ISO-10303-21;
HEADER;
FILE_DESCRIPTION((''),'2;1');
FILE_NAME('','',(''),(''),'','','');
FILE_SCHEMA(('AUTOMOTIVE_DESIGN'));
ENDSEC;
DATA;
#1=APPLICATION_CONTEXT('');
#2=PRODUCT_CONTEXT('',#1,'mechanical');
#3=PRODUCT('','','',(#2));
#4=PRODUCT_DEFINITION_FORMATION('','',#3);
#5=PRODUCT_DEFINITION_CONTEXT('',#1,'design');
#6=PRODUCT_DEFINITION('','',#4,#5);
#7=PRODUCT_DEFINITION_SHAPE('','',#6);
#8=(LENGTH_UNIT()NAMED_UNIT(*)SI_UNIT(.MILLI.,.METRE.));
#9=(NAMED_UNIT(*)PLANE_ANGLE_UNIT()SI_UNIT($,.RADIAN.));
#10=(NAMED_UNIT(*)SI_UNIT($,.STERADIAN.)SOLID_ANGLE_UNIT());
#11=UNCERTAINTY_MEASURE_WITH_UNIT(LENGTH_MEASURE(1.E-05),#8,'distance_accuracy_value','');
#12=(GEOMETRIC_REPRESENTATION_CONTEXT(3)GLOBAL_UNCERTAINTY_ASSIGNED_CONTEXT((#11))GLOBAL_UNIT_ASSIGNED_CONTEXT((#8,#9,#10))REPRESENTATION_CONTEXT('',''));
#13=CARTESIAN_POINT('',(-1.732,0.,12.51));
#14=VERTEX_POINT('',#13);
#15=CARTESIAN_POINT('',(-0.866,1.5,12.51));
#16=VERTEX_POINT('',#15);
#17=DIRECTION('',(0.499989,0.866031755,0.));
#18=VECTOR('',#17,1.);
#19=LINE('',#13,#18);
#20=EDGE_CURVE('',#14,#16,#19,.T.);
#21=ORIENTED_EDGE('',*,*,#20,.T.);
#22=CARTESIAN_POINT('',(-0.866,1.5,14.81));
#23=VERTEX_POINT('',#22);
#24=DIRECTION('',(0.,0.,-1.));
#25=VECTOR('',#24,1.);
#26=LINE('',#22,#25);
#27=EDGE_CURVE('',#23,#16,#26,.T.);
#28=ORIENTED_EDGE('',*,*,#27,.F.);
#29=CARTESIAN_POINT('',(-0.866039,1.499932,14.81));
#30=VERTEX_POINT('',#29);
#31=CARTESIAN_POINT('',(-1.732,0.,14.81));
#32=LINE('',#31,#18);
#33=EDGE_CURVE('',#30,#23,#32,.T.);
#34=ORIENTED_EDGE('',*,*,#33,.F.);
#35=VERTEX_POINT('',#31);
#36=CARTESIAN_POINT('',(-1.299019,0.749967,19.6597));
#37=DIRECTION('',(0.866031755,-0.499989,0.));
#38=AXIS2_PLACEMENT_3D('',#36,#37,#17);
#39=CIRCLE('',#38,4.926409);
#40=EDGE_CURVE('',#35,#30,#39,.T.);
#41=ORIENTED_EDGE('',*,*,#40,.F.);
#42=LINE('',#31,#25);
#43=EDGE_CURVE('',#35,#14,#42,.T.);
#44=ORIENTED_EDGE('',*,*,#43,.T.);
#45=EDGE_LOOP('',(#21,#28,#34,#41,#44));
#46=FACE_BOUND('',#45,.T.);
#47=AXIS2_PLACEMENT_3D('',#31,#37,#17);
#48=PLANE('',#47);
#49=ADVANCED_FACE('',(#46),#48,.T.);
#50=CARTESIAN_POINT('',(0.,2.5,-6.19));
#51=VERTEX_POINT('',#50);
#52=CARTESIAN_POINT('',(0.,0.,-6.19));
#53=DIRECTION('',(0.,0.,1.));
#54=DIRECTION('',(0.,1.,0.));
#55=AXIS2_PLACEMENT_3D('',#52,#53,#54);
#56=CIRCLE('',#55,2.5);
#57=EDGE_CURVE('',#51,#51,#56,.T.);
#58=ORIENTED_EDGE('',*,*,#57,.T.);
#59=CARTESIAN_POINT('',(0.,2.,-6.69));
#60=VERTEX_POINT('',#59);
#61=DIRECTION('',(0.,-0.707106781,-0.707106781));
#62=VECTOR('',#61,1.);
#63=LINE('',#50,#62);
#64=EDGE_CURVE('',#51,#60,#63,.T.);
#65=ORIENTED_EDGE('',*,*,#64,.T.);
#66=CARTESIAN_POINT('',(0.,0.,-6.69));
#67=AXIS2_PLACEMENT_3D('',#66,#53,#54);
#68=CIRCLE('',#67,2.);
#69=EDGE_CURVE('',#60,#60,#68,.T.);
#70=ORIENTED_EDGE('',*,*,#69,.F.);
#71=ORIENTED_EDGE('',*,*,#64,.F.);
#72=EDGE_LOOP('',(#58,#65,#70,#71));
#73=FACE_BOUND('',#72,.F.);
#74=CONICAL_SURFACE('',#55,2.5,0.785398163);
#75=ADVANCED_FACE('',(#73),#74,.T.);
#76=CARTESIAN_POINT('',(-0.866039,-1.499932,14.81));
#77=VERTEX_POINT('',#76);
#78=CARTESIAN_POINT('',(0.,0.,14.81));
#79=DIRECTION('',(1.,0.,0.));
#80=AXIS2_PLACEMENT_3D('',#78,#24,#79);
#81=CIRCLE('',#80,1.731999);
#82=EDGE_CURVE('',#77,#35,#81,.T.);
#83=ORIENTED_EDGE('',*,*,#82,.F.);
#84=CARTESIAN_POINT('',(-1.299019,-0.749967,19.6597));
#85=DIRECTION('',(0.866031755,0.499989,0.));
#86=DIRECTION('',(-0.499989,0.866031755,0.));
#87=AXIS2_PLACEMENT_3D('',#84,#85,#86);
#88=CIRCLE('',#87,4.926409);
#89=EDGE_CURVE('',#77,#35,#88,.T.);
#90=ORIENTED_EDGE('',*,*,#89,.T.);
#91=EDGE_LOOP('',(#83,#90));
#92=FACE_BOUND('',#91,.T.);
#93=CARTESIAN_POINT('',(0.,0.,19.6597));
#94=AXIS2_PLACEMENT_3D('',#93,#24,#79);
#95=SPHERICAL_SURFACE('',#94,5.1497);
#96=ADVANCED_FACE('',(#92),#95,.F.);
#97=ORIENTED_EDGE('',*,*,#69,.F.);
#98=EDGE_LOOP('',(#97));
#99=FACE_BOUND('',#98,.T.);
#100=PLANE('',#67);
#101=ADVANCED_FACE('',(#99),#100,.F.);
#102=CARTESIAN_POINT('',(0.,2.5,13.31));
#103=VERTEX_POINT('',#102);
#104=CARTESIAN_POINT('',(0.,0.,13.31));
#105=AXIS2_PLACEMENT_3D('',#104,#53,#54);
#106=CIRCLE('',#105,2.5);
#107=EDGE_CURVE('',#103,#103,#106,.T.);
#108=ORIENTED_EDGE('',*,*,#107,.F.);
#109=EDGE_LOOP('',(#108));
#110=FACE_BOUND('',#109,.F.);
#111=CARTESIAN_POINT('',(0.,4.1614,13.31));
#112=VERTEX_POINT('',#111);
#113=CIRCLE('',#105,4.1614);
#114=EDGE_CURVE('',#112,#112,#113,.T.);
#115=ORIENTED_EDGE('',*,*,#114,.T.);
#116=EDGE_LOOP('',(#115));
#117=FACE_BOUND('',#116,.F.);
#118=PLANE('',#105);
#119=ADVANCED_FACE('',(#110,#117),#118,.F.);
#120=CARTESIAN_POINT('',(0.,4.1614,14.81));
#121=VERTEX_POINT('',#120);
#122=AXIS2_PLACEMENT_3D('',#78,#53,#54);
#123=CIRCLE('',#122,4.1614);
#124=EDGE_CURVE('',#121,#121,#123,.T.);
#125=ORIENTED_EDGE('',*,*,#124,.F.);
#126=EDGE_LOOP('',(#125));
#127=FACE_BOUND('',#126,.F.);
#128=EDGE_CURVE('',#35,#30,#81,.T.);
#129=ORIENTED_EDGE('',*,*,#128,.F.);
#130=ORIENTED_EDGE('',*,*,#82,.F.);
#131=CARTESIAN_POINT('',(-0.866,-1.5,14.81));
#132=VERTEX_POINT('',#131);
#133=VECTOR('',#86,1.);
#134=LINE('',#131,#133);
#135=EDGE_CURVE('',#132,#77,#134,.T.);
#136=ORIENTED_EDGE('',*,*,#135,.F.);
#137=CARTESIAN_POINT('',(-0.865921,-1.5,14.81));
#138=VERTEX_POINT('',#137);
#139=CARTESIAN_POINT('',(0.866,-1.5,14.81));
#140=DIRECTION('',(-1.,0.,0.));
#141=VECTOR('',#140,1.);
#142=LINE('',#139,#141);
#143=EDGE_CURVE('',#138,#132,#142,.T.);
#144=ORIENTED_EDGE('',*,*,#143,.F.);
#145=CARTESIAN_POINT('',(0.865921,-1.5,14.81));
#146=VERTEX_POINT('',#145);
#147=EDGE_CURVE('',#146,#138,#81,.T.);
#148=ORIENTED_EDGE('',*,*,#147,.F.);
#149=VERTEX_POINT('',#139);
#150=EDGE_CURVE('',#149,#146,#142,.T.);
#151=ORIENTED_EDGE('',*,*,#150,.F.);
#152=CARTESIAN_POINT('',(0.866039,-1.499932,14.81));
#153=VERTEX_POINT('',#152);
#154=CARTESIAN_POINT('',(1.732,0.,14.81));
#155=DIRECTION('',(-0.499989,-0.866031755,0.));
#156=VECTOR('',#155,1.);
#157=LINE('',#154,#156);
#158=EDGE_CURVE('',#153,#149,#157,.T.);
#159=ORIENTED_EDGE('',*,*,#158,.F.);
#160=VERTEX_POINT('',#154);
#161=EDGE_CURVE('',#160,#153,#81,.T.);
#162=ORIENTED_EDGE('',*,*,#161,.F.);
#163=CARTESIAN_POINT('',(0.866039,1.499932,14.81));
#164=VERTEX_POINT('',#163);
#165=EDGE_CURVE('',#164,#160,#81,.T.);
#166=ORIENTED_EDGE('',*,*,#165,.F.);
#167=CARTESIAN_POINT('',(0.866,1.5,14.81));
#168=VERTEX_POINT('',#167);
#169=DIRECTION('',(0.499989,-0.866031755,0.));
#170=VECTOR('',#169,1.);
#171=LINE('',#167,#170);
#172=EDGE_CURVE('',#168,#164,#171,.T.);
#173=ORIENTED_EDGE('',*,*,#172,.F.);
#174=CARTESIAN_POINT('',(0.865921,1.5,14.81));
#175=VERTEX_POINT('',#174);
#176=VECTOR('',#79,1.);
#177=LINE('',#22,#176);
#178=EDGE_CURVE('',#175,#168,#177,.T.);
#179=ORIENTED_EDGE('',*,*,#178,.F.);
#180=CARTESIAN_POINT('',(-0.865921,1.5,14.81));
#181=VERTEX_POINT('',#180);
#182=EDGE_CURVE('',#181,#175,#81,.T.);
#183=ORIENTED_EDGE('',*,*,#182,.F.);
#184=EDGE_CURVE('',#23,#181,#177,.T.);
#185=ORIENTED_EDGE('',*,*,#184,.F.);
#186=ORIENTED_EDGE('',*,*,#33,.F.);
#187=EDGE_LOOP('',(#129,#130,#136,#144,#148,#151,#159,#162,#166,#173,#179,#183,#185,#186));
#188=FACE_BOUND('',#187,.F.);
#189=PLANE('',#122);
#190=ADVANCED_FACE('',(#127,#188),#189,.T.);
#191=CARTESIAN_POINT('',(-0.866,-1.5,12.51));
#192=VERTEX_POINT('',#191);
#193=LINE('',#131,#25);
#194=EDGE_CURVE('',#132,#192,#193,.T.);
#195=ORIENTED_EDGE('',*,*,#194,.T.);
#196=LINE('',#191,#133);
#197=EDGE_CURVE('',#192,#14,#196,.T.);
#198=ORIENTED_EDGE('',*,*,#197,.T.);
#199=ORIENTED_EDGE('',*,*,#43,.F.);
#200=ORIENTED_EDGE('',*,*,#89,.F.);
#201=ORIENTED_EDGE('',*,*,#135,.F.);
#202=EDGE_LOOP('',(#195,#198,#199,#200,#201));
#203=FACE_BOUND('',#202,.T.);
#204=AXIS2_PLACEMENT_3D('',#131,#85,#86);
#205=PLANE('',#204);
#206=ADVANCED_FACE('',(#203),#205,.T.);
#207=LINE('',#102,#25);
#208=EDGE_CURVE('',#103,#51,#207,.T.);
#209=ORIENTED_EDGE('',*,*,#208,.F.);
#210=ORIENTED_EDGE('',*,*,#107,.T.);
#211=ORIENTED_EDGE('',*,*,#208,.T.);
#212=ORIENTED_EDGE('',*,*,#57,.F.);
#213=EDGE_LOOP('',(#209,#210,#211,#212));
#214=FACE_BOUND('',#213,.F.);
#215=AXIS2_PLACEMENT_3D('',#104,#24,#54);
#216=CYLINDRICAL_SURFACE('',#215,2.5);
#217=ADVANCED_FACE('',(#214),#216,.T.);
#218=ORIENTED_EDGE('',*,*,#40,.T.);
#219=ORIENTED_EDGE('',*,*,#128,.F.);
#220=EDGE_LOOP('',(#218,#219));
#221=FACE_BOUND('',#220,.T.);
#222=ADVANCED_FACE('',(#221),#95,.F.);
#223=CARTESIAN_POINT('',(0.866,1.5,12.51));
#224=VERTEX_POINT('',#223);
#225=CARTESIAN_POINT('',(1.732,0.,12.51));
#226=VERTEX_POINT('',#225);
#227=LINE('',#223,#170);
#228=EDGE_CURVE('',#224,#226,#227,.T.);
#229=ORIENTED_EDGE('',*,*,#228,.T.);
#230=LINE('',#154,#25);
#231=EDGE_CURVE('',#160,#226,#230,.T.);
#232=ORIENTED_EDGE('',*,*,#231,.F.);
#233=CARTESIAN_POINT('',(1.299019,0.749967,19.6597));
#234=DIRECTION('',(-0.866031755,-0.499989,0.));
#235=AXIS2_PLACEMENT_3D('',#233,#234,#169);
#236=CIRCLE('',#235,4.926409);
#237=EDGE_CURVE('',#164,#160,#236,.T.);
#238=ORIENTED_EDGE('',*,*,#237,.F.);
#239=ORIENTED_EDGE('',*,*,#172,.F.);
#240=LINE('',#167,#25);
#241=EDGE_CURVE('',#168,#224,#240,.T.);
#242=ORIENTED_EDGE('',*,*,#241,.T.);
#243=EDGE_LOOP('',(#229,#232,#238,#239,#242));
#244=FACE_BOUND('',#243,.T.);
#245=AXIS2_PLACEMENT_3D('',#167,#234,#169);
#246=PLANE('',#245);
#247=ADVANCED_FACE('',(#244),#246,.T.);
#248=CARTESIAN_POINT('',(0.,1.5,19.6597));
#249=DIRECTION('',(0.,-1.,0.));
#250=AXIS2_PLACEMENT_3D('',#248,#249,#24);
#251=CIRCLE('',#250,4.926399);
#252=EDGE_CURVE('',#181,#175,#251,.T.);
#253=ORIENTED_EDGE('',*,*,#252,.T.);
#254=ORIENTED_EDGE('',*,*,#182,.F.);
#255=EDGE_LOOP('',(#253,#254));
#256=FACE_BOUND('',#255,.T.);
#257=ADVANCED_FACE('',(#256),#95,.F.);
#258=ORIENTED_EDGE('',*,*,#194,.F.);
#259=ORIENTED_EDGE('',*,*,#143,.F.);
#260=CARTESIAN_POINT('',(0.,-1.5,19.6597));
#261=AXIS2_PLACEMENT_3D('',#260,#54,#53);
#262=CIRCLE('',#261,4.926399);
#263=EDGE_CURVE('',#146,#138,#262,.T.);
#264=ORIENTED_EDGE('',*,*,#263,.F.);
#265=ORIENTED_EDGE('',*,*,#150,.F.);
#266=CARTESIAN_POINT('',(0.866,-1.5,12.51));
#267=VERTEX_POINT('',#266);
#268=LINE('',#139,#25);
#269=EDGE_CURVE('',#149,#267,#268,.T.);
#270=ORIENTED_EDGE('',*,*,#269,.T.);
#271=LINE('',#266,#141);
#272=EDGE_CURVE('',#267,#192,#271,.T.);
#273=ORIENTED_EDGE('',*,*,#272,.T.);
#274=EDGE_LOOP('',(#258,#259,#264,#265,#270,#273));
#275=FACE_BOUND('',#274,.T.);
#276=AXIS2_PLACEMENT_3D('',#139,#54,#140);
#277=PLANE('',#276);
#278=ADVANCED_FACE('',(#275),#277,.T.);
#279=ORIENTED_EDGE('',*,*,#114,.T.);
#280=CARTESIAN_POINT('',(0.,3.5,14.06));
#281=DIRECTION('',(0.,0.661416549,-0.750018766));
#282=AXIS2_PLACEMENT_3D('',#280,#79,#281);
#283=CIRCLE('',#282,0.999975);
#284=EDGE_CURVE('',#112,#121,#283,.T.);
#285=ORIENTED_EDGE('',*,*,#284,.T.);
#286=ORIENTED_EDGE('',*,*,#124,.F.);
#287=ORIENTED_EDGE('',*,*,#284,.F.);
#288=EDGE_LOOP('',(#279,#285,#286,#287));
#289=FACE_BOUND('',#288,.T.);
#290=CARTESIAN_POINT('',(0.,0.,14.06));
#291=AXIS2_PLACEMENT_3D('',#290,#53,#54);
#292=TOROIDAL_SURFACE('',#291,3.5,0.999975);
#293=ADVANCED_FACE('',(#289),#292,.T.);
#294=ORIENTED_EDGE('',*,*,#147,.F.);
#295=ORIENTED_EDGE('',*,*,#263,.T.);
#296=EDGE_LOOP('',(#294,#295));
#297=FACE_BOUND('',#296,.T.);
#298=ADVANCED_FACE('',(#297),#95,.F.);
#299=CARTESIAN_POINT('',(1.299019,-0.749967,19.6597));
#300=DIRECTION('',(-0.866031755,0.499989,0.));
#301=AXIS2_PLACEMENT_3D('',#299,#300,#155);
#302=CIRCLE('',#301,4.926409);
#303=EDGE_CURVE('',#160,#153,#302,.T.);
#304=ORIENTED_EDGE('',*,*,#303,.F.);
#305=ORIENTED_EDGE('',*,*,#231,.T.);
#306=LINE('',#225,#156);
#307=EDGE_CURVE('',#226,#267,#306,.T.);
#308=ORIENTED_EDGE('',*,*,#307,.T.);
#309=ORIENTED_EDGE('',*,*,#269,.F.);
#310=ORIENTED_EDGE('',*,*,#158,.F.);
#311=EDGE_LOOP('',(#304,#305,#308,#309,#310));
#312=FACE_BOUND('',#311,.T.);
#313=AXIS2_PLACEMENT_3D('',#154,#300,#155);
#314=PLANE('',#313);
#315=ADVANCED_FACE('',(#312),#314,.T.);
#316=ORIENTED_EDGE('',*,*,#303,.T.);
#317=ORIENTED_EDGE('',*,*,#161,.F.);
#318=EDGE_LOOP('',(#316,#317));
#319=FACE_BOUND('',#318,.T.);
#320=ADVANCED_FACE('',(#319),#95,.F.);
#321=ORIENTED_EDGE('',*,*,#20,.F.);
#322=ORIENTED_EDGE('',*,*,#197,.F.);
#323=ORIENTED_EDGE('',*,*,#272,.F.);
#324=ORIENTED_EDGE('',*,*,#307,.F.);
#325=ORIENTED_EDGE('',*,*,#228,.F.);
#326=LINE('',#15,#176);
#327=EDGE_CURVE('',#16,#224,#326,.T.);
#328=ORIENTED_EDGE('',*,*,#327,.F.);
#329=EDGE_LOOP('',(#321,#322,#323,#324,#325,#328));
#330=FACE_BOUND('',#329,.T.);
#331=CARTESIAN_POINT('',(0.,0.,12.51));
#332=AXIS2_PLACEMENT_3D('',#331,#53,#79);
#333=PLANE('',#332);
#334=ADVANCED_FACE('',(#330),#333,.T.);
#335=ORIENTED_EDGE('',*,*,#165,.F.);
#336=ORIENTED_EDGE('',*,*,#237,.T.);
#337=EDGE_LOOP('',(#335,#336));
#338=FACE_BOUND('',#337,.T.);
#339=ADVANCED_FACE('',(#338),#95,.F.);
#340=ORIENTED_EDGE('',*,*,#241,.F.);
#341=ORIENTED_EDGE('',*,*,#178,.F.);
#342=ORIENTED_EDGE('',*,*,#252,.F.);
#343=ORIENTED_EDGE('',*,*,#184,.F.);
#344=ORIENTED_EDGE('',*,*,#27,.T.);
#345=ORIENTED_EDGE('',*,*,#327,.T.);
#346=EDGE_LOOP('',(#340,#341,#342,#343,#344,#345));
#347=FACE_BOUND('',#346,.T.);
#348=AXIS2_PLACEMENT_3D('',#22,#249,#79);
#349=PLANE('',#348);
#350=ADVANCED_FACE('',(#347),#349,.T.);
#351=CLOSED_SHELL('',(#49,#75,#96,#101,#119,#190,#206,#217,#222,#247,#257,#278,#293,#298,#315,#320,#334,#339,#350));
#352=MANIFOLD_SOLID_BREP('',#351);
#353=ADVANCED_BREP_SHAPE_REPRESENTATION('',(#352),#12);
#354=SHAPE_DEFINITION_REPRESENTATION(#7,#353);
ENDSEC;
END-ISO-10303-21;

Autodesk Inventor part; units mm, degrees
ref_plane "YZ Plane" through (0, 0, 0) normal (1, 0, 0) x (0, 1, 0)
ref_plane "XZ Plane" through (0, 0, 0) normal (0, 1, 0) x (-1, 0, 0)
ref_plane "XY Plane" through (0, 0, 0) normal (0, 0, 1) x (1, 0, 0)
sketch "Sketch1" plane through (0, 0, 0) normal (1, 0, 0) x (0, 1, 0)
  line L0 (2.5, 2.81) -> (2.5, 11.31)
  spline S0 degree 2 poles (-3.9658, 2.81) (-4.0258, 2.8689) (-4.0876, 2.9295) knots 0 0 0 0.017848 0.017848 0.017848 weights 1 1.00044 1.00066
  line L1 (-2.5, 11.31) -> (-2.5, 2.81)
  line L2 (1.7321, 14.76) -> (1.7821, 14.81)
  line L3 (-1.7821, 14.81) -> (4.1614, 14.81)
  arc A0 (4.1614, 13.31) -> (4.1614, 14.81) centre (3.5, 14.06) ccw
  line L4 (4.1614, 13.31) -> (2.5, 13.31)
  line L5 (2.5, 13.31) -> (2.5, -6.19)
  line L6 (-2.5, -6.19) -> (-2.5, 13.31)
  line L7 (-2.5, 13.31) -> (-4.1614, 13.31)
  arc A1 (-4.1614, 14.81) -> (-4.1614, 13.31) centre (-3.5, 14.06) ccw
  line L8 (-4.1614, 14.81) -> (-1.7821, 14.81)
  line L9 (-1.7821, 14.81) -> (-1.7321, 14.76)
  line L10 (0, -6.69) -> (0, 14.81)
  line L11 (-2, -6.69) -> (2, -6.69)
  line L12 (2.5, -6.19) -> (2, -6.69)
  line L13 (-2.5, -6.19) -> (-2, -6.69)
  point P0 (0, 0)
  point P1 (2.5, -6.69)
  point P2 (-2.5, -6.69)
  dimension "d10" = 0.5
  dimension "d11" = 0.5
  dimension "d12" = 0.5
  dimension "d13" = 0.5
revolve "Revolution1" add sketch "Sketch1" angle 360 about axis through (0, 0, -6.69) along (0, 0, 1) contours L5 L12 L11 L10 L3 A0 L4 L0
sketch "Sketch2" plane through (0, 0, 14.81) normal (0, 0, 1) x (1, 0, 0)
  line L0 (1.732, 0) -> (0.866, -1.5)
  line L1 (0.866, -1.5) -> (-0.866, -1.5)
  line L2 (-0.866, -1.5) -> (-1.732, 0)
  line L3 (-1.732, 0) -> (-0.866, 1.5)
  line L4 (-0.866, 1.5) -> (0.866, 1.5)
  line L5 (0.866, 1.5) -> (1.732, 0)
  point P0 (0, 0)
  point P1 (0, 0)
  dimension "d1" = 3.464
extrude "Extrusion1" cut sketch "Sketch2" against normal blind 2.3
sketch "Sketch3" plane through (0, 0, 0) normal (0, 1, 0) x (-1, 0, 0)
  line L0 (0.866, 14.81) -> (-0.866, 14.81) projected
  line L1 (0.866, 14.81) -> (0.866, 12.51) projected
  line L2 (0.866, 12.51) -> (-0.866, 12.51) projected
  line L3 (-0.866, 14.81) -> (-0.866, 12.51) projected
  line L4 (1.732, 14.81) -> (1.732, 12.51) projected
  circle A0 centre (0, 19.6597) radius 5.1497
  line L5 (0, 14.81) -> (0, 14.51)
  line L6 (0, 14.81) -> (0, 24.8094)
  point P0 (0, 0)
  dimension "d5" = 0.3
revolve "Revolution2" cut sketch "Sketch3" angle 360 about axis through (0, 0, 14.81) along (0, 0, 1) contours L5 A0 L3 L0 | L0 L3 A0 L6
thread "Thread1" size "M5x0.8" class "6g" standard "ANSI Metric M Profile" full length
equation "\"d11\" = d10"
equation "\"d12\" = d10"
equation "\"d13\" = d12"
properties part number "Low Profile Screw M5 [20mm]" material "Steel"
